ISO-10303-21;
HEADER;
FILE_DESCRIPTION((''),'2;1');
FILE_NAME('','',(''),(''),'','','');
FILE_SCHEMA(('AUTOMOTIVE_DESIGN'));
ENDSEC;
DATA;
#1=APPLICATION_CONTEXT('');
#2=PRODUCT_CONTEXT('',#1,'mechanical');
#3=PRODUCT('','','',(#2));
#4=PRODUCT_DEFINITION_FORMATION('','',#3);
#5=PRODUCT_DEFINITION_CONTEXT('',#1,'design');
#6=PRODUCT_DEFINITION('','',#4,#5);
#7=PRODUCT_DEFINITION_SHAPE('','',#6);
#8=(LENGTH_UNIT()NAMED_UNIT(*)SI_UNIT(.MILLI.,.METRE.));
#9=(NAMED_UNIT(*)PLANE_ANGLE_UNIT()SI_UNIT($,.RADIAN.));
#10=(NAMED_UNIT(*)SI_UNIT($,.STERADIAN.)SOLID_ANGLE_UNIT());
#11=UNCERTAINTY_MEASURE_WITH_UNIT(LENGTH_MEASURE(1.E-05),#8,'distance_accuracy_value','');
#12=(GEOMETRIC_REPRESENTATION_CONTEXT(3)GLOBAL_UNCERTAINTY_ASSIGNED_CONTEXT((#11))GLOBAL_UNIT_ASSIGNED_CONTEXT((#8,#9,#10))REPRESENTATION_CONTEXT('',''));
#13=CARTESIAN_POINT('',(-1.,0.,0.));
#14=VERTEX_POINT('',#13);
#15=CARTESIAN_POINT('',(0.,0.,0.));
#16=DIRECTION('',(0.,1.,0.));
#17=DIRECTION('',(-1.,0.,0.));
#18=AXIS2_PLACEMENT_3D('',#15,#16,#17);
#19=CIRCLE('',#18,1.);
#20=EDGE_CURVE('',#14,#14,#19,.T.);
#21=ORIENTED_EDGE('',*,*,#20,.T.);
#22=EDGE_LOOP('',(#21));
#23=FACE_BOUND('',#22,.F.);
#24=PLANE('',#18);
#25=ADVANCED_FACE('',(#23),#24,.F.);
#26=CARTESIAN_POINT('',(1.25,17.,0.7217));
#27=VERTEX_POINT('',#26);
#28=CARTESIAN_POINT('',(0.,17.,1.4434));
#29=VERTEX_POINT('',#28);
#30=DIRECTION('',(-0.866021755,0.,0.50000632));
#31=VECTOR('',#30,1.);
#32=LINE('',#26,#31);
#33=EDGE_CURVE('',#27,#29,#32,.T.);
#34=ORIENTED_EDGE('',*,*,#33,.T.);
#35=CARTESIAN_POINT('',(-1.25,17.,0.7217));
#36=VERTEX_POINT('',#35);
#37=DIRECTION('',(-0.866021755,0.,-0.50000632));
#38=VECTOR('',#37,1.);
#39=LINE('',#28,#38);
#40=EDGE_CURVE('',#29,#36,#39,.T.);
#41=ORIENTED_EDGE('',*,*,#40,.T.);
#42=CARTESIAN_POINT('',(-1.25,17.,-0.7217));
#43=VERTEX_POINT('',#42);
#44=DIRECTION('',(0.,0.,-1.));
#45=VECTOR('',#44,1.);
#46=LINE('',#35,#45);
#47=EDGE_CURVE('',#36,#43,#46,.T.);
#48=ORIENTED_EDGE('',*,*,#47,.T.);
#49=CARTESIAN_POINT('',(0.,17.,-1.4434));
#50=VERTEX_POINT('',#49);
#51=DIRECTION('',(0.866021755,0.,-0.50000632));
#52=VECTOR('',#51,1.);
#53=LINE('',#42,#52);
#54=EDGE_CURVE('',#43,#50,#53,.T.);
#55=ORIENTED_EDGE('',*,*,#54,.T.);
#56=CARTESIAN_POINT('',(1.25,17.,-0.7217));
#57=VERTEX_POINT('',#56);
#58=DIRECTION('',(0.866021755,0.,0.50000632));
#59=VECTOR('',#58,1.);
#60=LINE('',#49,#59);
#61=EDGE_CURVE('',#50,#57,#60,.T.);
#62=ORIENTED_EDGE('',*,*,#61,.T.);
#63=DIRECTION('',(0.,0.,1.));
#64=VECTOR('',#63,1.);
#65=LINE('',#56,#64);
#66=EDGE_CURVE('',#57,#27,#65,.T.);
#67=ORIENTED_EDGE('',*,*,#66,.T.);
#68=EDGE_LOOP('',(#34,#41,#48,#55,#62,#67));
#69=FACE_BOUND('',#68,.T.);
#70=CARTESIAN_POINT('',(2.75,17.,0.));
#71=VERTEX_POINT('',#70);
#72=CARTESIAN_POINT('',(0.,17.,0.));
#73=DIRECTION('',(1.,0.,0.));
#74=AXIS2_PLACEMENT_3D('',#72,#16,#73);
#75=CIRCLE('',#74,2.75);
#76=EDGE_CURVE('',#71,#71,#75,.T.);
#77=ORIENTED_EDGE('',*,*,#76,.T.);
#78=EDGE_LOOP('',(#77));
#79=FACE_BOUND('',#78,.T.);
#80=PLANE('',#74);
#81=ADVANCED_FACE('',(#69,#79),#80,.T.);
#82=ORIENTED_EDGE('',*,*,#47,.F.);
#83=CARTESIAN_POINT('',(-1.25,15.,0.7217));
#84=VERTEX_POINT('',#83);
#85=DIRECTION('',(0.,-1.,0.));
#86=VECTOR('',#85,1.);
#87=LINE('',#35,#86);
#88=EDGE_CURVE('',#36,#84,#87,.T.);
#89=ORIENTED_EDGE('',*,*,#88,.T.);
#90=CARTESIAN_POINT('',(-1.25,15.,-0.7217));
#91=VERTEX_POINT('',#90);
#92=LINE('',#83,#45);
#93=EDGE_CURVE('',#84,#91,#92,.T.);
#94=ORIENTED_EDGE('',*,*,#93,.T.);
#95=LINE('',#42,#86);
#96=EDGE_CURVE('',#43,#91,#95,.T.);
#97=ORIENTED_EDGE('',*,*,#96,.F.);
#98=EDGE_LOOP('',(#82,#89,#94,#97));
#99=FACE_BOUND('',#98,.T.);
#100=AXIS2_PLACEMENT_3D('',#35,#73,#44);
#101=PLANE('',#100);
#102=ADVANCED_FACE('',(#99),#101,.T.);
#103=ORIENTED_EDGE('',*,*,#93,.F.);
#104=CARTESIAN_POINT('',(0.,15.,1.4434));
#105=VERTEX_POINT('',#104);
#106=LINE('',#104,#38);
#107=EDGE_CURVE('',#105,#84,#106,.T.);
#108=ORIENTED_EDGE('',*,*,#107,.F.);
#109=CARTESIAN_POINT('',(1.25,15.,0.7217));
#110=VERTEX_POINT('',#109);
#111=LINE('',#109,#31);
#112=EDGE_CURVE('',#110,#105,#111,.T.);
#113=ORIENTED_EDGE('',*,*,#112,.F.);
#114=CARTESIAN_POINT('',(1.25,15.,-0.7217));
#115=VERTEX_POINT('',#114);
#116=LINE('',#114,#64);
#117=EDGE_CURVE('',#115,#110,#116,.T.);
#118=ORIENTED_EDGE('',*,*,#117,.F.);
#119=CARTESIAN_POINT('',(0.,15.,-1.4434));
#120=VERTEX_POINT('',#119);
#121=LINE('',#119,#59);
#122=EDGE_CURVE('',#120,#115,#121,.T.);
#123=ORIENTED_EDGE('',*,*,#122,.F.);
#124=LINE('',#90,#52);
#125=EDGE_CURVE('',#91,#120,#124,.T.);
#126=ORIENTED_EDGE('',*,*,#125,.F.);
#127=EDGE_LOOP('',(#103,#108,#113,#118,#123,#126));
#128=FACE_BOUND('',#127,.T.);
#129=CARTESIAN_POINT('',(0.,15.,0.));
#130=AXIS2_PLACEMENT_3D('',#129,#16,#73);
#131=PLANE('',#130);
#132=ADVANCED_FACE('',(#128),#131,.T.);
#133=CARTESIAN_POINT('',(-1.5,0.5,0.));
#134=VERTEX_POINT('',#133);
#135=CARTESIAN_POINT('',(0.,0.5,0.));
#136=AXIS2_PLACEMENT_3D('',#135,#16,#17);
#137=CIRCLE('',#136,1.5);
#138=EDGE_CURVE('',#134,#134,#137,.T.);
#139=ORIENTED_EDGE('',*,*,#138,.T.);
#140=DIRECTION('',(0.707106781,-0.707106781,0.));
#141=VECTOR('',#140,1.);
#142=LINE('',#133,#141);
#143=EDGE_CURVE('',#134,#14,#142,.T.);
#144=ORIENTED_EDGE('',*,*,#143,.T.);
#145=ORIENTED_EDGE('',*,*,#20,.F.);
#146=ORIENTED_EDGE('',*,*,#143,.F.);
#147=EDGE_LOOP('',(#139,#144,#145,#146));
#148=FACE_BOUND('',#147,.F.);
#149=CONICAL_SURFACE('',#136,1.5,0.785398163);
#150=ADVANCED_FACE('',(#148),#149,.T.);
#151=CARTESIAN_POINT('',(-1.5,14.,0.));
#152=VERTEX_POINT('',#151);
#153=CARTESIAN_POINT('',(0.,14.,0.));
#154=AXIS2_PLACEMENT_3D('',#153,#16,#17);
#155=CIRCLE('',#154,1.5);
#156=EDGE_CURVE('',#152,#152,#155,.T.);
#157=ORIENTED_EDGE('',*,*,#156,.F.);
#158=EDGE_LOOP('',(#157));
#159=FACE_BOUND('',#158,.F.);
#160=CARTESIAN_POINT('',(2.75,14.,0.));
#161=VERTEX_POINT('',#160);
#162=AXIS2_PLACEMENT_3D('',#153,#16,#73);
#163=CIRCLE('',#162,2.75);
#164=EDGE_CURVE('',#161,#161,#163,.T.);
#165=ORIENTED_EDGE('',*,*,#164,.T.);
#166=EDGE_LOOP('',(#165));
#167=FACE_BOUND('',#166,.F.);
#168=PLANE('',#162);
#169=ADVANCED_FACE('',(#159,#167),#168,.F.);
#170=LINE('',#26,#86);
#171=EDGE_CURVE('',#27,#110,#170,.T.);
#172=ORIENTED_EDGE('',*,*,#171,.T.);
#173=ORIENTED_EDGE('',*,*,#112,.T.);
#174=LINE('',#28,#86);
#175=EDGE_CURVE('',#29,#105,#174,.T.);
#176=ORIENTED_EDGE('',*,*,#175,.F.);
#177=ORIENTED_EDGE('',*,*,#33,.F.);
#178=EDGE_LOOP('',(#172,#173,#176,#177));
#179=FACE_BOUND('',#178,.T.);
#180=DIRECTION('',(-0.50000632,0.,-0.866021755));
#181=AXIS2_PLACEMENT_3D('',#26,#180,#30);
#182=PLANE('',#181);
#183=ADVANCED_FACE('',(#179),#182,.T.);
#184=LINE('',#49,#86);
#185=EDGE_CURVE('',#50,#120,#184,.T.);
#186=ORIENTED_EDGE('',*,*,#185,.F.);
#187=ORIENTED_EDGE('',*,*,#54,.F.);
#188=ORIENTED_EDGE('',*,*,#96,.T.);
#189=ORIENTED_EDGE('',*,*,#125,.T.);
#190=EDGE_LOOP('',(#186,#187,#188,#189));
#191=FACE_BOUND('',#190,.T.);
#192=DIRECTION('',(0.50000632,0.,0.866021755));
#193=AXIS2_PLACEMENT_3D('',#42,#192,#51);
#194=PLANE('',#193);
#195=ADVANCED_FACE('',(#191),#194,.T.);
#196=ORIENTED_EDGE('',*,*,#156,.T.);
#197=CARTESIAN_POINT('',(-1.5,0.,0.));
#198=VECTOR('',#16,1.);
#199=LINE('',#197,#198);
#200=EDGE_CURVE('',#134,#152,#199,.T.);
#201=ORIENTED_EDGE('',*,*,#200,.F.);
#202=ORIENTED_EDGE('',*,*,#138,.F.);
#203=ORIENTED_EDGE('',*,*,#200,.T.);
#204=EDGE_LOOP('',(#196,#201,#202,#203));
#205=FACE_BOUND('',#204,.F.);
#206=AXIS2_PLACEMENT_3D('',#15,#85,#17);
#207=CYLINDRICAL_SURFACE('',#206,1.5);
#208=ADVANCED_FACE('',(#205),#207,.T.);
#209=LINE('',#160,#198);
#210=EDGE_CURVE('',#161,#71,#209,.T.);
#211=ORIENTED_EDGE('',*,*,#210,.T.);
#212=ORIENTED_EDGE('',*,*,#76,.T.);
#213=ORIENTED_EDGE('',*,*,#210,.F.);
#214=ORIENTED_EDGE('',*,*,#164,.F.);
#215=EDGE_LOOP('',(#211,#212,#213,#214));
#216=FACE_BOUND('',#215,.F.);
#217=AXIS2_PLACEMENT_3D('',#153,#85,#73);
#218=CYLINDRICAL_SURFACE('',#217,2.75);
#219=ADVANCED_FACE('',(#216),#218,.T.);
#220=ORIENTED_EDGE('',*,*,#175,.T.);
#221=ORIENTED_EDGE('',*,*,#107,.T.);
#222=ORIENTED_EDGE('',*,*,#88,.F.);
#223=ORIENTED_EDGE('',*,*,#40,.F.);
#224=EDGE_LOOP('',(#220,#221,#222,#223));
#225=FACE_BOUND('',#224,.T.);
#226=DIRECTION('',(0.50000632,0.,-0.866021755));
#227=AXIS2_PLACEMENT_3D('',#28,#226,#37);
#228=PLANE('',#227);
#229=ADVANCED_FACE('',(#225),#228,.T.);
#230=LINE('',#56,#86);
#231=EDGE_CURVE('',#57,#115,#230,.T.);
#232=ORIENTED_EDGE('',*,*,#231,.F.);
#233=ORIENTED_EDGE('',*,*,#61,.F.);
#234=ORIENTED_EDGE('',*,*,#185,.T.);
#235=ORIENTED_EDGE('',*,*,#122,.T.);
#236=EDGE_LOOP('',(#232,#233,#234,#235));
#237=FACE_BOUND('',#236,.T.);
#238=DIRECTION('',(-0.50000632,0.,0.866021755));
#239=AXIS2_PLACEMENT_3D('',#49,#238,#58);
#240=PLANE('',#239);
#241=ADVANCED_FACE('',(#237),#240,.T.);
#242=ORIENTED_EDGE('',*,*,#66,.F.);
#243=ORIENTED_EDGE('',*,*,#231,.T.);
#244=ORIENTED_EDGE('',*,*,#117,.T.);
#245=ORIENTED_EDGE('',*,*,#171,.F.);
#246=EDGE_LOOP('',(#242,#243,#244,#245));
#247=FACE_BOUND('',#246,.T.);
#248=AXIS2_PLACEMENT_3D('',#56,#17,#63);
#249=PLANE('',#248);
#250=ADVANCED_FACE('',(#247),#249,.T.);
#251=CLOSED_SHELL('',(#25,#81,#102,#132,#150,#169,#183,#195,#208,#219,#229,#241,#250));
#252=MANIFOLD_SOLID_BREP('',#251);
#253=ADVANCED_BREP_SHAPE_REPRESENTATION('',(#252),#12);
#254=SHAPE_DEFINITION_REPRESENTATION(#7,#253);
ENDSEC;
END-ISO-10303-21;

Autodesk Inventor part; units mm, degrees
ref_plane "YZ Plane" through (0, 0, 0) normal (1, 0, 0) x (0, 1, 0)
ref_plane "XZ Plane" through (0, 0, 0) normal (0, 1, 0) x (-1, 0, 0)
ref_plane "XY Plane" through (0, 0, 0) normal (0, 0, 1) x (1, 0, 0)
sketch "Sketch1" plane through (0, 0, 0) normal (0, 1, 0) x (-1, 0, 0)
  circle A0 centre (0, 0) radius 1.5
  dimension "d0" = 3
extrude "Extrusion1" add sketch "Sketch1" along normal blind 14
sketch "Sketch2" plane through (0, 14, 0) normal (0, 1, 0) x (1, 0, 0)
  circle A0 centre (0, 0) radius 1.5 projected
  circle A1 centre (0, 0) radius 2.75
  dimension "d3" = 5.5
extrude "Extrusion2" add sketch "Sketch2" along normal blind 3 contours A0 | A1
sketch "Sketch3" plane through (0, 17, 0) normal (0, 1, 0) x (1, 0, 0)
  circle A0 centre (0, 0) radius 2.75 projected
  line L0 (0, 1.4434) -> (1.25, 0.7217)
  line L1 (1.25, 0.7217) -> (1.25, -0.7217)
  line L2 (1.25, -0.7217) -> (0, -1.4434)
  line L3 (0, -1.4434) -> (-1.25, -0.7217)
  line L4 (-1.25, -0.7217) -> (-1.25, 0.7217)
  line L5 (-1.25, 0.7217) -> (0, 1.4434)
  dimension "d6" = 2.5
extrude "Extrusion3" cut sketch "Sketch3" against normal blind 2 contours L0 L1 L2 L3 L4 L5
thread "Thread1" size "M3x0.5" class "6g" standard "ANSI Metric M Profile" full length
chamfer "Chamfer1" distance 0.5 angle 45 1 edges at (1.5, 0, 0)
properties part number "M3x14SHCS"
